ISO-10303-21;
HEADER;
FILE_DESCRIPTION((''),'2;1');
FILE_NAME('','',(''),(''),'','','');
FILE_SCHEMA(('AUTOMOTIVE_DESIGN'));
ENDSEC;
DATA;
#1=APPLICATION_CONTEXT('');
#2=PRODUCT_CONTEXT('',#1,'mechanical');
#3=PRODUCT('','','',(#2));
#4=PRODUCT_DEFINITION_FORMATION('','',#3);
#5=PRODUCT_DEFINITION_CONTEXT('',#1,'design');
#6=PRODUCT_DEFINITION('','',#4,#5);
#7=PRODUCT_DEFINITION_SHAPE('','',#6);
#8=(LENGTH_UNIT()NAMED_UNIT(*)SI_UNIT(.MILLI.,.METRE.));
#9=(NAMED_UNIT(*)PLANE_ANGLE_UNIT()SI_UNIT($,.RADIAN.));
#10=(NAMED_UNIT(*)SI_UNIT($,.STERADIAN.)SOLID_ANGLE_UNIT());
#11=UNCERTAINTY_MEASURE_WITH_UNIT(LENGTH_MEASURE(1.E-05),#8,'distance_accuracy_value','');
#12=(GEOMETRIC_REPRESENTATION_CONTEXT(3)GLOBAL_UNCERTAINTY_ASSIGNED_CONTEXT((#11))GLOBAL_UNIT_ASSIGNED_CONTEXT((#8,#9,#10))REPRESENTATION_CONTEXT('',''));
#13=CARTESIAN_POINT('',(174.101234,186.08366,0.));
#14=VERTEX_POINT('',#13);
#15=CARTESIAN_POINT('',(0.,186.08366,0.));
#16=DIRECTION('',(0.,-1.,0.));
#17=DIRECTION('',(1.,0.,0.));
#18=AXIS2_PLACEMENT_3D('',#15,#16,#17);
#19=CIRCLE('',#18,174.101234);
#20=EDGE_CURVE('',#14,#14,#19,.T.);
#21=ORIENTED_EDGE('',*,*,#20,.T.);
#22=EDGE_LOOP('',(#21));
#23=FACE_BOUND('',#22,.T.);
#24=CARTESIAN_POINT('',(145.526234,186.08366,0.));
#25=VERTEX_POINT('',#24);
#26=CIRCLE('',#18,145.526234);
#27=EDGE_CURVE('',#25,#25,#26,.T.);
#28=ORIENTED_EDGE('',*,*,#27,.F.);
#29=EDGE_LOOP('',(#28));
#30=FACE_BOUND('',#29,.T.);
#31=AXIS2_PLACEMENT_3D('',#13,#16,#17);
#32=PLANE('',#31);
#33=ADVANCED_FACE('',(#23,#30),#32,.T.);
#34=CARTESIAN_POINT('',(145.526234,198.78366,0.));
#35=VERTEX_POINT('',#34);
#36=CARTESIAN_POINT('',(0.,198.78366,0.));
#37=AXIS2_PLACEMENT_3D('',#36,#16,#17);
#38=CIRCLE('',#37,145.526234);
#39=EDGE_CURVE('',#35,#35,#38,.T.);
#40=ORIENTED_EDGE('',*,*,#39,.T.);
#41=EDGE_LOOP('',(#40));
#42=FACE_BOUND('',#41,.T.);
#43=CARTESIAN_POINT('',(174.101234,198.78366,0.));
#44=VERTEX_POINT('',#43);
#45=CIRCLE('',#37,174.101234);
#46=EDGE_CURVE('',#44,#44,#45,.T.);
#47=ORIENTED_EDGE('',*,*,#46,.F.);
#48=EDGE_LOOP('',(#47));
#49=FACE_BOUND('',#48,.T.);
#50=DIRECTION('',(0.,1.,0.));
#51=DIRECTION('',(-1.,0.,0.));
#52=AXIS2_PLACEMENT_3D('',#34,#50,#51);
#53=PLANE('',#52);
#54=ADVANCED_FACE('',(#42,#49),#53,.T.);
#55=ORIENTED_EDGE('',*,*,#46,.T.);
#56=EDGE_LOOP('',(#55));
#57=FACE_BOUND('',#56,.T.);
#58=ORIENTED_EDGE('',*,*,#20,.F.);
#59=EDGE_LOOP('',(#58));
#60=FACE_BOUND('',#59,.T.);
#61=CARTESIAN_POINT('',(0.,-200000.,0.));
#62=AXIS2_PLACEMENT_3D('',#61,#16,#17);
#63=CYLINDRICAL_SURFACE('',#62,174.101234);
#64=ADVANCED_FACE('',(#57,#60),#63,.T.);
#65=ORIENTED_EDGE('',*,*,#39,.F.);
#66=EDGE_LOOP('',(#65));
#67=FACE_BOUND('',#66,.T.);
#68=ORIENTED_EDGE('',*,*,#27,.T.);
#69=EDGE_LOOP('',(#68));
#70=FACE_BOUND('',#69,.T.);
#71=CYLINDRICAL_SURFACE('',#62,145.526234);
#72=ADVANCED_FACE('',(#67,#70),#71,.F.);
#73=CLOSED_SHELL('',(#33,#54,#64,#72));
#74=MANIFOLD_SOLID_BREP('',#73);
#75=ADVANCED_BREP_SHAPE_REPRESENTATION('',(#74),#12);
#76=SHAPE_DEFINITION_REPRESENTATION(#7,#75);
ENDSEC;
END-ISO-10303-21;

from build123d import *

# Parameters (mm, degrees)
SKETCH1_W = 28.575
SKETCH1_H = 12.7


with BuildPart() as part:
    # Sketch1 → Revolve1 (revolve)
    with BuildSketch(Plane.XY):
        with Locations((159.813733777, 192.433659956)):
            Rectangle(SKETCH1_W, SKETCH1_H)
    revolve(axis=Axis((1e-09, -200000, 0), (0, 1, 0)))


solid = part.part
